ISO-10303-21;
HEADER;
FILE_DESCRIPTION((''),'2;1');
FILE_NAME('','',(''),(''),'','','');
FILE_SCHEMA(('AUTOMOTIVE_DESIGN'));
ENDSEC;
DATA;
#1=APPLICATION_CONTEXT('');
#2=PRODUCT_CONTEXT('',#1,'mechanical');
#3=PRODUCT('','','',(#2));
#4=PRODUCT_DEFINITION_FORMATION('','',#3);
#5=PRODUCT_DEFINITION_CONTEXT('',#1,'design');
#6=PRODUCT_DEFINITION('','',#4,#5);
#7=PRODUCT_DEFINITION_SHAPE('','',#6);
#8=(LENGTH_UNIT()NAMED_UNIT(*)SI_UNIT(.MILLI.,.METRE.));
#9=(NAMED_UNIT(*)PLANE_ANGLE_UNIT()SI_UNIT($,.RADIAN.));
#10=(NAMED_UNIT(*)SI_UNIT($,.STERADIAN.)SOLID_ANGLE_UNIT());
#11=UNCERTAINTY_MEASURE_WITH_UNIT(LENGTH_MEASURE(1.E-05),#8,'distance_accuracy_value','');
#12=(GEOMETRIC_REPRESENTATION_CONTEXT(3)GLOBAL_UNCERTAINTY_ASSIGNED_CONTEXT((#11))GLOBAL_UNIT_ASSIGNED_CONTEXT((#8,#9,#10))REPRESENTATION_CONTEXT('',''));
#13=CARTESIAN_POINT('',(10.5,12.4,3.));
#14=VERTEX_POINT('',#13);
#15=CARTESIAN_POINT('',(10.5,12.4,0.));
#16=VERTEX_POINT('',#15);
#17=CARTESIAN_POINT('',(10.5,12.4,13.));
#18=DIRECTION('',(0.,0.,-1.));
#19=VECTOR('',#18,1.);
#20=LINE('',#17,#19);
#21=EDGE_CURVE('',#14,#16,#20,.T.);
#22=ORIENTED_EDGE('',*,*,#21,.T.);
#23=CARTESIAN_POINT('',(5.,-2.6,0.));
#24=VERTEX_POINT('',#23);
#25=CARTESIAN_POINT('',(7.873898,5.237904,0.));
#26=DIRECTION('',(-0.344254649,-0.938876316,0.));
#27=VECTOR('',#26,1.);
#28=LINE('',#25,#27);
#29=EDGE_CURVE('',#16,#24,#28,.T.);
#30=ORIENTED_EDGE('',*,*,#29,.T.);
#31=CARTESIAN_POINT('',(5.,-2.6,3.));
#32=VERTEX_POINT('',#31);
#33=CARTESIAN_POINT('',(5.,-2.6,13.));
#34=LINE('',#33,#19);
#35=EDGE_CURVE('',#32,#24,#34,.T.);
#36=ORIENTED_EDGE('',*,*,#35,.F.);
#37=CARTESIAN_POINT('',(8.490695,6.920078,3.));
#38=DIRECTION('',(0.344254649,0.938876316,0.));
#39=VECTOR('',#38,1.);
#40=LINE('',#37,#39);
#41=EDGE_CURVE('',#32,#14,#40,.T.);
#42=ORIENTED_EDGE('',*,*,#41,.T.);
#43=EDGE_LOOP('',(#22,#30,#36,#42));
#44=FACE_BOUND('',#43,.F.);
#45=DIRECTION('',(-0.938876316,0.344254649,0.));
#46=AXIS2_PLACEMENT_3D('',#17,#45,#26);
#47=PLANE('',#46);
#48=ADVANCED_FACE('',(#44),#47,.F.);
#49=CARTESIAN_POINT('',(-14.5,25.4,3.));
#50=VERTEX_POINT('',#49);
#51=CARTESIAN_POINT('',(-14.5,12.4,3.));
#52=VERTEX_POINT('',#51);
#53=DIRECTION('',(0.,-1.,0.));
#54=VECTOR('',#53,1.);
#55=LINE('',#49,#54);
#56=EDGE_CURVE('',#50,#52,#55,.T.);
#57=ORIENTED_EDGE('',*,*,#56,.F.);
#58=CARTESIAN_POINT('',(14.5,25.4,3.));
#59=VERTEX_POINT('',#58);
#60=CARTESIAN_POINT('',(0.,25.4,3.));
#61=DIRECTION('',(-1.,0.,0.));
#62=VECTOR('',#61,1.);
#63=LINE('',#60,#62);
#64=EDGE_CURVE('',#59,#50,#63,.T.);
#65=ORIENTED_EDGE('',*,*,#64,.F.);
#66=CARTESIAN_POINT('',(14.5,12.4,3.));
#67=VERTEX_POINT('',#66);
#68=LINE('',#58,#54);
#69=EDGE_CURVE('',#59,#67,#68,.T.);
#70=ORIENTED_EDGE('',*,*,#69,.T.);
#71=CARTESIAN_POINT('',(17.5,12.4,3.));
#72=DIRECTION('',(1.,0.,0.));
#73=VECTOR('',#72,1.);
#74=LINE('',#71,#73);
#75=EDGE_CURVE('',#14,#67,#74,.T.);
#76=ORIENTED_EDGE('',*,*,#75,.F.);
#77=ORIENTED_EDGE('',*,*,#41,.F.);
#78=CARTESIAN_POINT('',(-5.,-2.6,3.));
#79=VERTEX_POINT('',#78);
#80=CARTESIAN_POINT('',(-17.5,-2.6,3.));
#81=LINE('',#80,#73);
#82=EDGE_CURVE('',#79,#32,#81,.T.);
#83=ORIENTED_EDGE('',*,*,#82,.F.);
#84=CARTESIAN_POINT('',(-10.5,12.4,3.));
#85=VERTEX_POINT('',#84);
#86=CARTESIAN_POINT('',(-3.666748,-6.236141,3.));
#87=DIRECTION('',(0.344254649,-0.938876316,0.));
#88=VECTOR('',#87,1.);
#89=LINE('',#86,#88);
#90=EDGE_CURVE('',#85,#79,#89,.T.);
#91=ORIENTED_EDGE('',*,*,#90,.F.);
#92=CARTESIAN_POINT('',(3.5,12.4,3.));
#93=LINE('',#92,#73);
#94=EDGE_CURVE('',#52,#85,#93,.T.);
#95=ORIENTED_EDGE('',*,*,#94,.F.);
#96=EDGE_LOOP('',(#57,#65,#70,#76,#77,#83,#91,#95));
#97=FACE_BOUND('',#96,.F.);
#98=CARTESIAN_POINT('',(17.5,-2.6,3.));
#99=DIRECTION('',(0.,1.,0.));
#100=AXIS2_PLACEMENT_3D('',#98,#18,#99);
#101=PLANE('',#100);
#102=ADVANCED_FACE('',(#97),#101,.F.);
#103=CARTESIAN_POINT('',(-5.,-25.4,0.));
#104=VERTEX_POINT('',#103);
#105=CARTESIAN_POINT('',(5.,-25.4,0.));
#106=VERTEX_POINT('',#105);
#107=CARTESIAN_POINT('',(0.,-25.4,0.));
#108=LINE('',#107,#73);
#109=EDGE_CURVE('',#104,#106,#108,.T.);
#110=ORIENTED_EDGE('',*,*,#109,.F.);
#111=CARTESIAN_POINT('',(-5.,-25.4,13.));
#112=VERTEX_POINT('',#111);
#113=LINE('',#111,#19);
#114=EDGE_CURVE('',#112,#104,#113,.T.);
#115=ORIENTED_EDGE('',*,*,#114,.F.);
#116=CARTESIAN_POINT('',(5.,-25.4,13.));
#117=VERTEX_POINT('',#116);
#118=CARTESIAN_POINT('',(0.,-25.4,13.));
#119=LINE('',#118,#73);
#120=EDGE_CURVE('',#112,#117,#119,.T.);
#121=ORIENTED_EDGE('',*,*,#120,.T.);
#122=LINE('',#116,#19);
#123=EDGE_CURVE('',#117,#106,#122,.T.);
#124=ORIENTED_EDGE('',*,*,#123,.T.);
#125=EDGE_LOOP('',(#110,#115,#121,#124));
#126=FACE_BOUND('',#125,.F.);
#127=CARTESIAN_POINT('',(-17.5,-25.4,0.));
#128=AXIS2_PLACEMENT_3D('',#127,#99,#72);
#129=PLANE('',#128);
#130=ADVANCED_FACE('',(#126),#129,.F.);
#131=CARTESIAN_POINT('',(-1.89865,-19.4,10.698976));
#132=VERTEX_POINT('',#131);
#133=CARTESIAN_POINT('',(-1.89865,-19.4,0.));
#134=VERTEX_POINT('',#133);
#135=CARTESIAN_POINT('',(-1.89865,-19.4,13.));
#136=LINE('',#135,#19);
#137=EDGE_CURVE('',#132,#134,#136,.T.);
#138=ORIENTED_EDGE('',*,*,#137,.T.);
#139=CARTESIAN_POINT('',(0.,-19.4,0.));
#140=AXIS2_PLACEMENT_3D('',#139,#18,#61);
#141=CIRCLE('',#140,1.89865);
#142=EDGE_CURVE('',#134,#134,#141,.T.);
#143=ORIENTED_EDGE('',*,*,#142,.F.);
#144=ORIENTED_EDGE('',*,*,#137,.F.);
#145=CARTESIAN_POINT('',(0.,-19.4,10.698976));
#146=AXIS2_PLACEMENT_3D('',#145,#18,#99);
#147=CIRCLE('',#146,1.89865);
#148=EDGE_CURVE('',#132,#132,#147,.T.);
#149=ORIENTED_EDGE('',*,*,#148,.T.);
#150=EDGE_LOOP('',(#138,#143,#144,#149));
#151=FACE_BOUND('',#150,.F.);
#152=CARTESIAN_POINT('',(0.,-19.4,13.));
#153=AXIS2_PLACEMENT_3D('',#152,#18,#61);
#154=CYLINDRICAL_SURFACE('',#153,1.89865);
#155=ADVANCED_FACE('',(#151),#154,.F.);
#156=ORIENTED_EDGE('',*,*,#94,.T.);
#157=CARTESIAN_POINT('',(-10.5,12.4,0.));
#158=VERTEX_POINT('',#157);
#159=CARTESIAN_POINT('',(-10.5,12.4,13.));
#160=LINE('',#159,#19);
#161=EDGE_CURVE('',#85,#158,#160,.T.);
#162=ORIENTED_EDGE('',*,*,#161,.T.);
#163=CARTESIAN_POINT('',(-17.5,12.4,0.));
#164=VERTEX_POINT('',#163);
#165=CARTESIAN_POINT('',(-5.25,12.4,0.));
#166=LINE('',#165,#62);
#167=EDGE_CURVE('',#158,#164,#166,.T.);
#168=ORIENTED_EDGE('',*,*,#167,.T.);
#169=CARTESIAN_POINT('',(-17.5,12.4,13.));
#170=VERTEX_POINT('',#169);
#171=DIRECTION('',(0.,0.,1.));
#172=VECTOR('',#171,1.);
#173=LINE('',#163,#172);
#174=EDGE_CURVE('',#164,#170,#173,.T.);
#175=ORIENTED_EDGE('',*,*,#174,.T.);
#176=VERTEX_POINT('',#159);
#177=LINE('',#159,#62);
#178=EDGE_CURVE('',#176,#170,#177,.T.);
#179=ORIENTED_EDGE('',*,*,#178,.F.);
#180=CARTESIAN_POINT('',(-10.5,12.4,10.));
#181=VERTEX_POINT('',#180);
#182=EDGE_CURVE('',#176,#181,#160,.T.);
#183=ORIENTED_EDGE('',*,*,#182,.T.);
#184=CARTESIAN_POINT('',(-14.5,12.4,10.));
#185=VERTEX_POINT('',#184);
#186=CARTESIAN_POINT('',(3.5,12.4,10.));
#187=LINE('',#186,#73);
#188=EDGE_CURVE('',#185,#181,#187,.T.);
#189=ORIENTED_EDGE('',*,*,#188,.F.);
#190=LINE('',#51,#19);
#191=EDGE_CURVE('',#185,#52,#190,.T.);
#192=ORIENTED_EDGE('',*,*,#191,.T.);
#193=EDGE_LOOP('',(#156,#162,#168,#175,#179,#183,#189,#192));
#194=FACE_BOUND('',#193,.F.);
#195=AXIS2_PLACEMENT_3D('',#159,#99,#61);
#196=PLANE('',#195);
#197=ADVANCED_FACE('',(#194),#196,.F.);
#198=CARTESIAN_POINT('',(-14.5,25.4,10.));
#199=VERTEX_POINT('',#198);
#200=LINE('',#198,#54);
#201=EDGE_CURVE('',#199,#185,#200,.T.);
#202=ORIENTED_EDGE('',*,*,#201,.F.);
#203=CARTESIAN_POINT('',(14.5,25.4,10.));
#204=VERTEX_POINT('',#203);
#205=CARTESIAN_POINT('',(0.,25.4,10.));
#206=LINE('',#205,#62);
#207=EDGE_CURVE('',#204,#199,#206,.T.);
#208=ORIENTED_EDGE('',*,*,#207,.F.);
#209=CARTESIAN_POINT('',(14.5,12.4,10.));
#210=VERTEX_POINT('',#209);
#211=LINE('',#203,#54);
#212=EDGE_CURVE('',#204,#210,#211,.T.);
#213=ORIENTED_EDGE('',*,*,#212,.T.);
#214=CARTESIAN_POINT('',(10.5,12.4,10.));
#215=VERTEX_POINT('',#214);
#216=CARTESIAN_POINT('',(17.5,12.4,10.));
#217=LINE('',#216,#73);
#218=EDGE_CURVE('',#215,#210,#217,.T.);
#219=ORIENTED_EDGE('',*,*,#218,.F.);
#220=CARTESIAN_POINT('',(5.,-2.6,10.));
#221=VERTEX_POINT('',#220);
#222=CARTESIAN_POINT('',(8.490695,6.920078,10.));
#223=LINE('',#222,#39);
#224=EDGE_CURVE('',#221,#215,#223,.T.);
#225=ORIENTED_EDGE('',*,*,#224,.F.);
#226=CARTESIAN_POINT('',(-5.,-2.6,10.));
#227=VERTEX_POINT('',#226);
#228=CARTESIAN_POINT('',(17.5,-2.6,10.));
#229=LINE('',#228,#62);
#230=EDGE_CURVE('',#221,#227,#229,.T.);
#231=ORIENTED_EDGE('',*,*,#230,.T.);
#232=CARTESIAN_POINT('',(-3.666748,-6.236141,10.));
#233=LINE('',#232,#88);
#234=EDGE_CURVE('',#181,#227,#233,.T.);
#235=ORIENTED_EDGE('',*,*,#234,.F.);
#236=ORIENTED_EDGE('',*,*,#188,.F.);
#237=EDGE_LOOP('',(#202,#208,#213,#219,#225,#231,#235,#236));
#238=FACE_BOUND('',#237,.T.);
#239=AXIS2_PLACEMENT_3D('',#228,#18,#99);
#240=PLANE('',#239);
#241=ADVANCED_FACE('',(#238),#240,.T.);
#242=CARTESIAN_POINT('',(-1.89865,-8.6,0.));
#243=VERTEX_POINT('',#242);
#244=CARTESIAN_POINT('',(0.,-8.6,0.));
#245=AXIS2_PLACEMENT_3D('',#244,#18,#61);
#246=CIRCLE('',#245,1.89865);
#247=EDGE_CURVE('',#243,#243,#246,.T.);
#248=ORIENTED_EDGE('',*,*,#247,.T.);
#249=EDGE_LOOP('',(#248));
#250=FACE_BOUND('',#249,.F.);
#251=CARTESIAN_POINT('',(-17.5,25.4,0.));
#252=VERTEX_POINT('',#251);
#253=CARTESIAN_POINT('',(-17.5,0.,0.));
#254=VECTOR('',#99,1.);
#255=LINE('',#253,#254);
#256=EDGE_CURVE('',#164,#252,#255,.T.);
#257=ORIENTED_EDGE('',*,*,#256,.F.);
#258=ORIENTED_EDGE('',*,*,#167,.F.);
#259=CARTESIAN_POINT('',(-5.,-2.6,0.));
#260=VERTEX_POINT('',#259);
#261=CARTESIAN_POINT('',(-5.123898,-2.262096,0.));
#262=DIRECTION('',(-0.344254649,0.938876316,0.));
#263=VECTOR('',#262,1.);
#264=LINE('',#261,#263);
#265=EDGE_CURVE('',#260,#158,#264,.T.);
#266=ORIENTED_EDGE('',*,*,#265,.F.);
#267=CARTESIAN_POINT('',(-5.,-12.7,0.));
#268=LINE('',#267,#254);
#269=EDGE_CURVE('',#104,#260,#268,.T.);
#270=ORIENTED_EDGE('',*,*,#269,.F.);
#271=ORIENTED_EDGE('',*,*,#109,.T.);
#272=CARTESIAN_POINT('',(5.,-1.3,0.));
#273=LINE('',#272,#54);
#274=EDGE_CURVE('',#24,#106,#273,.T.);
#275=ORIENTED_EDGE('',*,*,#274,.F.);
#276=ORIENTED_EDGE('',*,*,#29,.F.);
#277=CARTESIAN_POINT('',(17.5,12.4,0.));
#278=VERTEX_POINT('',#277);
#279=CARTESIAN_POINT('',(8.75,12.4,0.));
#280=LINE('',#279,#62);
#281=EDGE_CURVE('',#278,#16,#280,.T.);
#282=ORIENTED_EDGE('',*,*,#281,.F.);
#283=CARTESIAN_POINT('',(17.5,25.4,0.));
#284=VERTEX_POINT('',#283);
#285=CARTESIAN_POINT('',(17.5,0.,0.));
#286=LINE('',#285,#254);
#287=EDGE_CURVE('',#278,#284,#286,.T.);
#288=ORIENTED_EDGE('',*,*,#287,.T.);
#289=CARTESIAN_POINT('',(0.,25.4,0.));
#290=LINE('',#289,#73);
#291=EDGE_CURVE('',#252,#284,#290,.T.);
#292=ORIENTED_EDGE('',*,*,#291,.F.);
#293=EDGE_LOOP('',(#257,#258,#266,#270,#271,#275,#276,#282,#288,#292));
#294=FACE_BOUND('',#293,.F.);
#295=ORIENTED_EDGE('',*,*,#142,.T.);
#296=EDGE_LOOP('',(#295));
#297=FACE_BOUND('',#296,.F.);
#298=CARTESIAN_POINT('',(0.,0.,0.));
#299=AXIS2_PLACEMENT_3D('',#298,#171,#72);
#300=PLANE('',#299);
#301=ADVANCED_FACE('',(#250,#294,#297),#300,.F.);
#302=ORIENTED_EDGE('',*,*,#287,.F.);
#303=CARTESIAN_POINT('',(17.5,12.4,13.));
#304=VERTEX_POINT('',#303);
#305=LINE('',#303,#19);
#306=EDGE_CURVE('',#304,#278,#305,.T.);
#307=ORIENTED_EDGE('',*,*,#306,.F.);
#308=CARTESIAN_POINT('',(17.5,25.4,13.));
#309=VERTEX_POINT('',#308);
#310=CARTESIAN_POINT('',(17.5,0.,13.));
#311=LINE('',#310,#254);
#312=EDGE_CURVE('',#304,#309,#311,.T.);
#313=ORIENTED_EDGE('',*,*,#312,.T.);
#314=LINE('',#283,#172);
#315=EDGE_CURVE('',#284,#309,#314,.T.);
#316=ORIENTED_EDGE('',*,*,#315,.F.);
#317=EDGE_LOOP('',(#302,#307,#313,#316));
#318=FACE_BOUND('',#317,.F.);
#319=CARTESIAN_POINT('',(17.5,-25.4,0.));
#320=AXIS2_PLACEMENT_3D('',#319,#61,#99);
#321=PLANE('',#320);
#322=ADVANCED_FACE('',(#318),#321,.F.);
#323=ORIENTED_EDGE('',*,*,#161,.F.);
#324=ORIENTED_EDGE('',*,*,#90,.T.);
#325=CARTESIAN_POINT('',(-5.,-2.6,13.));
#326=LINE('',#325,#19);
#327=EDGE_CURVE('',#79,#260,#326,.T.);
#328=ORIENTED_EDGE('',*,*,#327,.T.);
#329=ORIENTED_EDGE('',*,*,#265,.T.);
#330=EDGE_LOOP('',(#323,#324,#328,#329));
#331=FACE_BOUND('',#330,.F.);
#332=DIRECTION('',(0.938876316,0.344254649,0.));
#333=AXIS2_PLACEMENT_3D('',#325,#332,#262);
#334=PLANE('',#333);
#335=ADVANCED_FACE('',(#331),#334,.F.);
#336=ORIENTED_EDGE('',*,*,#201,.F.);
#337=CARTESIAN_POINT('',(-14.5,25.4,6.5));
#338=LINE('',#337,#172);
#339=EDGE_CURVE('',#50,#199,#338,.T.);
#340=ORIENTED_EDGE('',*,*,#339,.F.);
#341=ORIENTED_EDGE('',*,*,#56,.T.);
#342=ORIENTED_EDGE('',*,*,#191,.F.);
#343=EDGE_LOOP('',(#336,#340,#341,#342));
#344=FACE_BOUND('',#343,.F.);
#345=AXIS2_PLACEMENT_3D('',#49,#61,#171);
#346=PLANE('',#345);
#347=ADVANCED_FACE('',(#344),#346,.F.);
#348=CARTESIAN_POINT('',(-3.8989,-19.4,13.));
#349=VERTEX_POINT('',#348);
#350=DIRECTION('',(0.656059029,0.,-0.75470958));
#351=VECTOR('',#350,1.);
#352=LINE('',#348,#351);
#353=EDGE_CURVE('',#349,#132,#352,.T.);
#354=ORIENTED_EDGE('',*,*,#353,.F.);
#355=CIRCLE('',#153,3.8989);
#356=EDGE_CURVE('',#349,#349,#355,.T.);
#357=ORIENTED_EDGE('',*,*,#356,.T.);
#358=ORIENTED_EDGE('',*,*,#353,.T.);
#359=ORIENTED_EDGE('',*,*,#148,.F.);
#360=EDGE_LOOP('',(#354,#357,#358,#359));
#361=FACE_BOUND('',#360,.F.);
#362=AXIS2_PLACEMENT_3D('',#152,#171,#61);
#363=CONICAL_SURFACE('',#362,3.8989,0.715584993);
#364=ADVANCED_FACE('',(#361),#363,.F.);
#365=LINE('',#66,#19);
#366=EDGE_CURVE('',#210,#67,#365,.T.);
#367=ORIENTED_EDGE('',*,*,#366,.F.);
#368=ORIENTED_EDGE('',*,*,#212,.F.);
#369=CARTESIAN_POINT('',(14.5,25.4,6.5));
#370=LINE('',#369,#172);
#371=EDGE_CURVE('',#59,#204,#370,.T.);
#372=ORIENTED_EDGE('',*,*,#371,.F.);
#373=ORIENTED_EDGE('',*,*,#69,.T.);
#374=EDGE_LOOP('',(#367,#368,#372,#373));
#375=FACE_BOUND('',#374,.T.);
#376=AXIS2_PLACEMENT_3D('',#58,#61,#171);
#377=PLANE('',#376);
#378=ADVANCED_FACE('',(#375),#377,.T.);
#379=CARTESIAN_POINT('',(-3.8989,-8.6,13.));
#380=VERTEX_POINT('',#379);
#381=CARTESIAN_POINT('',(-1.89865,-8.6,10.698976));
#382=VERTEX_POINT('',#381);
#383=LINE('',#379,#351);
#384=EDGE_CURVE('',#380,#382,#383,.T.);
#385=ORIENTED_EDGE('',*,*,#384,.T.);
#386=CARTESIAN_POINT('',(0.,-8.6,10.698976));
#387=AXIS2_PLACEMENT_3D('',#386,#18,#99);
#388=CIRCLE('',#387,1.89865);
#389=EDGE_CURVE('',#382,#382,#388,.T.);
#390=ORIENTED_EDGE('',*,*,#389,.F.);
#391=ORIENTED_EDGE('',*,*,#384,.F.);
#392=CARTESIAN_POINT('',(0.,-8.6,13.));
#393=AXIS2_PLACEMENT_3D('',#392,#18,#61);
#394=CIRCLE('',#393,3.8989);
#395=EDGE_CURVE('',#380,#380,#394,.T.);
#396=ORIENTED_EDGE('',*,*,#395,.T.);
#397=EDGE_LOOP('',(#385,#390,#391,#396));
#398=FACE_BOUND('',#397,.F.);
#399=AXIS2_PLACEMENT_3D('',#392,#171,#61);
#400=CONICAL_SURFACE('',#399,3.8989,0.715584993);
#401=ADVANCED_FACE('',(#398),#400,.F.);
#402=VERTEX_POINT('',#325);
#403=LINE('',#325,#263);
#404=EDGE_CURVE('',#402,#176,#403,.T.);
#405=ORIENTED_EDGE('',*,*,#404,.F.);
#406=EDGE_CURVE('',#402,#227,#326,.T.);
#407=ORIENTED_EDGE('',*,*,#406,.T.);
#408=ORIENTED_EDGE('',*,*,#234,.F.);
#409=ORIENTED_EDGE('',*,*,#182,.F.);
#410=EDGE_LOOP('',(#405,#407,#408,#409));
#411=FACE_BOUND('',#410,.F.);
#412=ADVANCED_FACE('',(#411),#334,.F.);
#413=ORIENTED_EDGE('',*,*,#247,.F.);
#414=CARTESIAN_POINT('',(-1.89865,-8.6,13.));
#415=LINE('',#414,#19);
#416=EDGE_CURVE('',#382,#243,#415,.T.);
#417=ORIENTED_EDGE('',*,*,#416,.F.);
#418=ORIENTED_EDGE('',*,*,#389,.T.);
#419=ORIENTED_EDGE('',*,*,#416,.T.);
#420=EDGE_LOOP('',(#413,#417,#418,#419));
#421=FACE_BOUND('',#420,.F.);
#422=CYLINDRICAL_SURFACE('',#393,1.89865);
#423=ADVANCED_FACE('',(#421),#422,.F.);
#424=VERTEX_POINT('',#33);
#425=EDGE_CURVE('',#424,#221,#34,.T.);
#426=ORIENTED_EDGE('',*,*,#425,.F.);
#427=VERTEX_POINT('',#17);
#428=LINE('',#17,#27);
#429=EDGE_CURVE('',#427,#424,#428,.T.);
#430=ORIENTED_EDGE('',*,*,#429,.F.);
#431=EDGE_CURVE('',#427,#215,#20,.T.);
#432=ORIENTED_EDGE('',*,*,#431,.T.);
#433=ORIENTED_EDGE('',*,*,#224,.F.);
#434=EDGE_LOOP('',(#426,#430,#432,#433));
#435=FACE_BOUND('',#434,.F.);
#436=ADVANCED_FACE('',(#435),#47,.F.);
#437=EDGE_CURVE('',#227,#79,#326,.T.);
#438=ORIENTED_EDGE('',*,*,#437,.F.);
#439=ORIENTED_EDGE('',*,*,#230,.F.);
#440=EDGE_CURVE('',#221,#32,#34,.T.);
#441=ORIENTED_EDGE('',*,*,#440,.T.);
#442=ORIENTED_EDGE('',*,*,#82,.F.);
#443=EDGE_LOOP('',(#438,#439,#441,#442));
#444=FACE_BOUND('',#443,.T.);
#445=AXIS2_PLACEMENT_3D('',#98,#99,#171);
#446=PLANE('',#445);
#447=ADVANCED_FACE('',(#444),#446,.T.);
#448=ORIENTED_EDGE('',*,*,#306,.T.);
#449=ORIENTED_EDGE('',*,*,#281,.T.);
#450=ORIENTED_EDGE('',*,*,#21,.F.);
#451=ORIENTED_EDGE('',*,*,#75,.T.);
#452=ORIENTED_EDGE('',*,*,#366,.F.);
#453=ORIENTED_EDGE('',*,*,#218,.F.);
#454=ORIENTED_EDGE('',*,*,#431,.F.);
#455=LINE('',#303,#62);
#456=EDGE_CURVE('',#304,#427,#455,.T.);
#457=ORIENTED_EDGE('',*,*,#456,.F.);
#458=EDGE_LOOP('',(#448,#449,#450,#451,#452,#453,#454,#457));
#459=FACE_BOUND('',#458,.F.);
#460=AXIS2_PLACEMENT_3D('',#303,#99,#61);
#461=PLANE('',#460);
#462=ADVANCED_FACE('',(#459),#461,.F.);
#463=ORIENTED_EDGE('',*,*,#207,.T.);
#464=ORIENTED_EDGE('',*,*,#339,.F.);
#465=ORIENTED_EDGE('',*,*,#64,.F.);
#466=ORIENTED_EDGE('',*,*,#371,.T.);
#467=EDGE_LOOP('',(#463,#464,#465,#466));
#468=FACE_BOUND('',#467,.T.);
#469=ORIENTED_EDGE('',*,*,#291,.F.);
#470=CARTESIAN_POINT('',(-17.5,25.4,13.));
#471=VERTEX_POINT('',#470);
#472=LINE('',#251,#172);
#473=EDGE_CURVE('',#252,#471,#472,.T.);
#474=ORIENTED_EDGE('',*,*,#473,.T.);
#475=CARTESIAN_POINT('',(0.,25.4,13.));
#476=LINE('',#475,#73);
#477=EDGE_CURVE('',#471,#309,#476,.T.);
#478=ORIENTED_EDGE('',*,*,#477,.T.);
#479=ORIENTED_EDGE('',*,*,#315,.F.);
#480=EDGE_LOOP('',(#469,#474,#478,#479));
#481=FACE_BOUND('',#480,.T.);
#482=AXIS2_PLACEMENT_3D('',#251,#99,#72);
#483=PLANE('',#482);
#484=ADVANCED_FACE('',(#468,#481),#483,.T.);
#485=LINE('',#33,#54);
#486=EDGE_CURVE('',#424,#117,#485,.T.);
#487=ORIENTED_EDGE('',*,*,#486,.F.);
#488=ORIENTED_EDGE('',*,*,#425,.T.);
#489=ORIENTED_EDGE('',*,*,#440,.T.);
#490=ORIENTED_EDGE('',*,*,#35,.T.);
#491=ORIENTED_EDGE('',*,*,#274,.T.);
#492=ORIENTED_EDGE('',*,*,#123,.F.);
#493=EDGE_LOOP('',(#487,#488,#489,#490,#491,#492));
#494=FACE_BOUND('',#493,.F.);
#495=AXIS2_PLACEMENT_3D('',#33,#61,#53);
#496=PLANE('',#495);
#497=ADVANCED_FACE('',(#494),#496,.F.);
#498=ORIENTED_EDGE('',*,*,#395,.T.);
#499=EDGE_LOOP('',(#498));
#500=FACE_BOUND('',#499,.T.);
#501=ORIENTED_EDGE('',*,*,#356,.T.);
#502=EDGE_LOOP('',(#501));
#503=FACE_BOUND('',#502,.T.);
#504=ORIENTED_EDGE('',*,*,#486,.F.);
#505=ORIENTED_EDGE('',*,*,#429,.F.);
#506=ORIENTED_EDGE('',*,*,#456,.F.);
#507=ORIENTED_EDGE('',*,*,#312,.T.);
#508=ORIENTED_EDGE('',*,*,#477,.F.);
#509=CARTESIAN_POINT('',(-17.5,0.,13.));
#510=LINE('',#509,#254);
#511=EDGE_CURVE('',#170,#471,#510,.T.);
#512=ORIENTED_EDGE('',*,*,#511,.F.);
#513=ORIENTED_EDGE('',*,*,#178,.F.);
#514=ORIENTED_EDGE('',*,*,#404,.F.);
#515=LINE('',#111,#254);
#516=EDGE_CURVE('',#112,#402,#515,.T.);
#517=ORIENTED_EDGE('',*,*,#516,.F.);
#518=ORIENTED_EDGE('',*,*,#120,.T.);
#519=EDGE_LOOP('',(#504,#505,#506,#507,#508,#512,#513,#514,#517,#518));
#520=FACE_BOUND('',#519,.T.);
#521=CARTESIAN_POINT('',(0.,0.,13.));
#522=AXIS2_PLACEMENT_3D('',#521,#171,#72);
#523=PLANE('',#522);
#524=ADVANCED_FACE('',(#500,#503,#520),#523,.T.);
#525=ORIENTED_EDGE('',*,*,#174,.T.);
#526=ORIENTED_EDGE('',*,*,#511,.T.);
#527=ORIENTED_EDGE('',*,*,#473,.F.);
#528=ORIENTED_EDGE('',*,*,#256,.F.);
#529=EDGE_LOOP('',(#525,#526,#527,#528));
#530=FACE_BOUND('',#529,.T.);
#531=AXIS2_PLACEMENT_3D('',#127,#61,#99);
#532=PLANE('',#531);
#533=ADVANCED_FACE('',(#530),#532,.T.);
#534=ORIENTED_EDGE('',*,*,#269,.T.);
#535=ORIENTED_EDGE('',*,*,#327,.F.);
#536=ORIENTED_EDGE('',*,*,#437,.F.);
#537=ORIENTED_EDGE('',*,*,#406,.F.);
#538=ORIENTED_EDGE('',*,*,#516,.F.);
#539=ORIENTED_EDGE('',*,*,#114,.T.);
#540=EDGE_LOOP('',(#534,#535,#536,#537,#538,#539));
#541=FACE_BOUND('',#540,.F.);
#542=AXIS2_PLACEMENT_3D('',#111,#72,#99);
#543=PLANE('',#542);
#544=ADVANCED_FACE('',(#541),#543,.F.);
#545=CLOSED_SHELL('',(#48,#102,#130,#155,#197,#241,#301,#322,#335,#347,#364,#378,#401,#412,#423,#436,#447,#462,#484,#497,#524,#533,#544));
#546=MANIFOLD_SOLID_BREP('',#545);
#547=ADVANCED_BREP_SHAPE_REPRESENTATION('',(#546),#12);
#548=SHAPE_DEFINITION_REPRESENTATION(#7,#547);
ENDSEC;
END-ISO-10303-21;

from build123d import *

# Parameters (mm, degrees)
F0_W           = 35
F0_H           = 50.8
F1_DEPTH       = 13
F2_W           = 29
F2_H           = 7
F3_DEPTH       = 28
F4_W           = 15
F4_H           = 7
F5_DEPTH       = 35.001
F7_DEPTH       = 13.001
F9_D           = 3.7973
F9_CSINK_D     = 7.7978
F9_CSINK_ANGLE = 82


with BuildPart() as f1:
    # F0 (on Top) → F1 (new body)
    with BuildSketch(Plane.XY):
        Rectangle(F0_W, F0_H)
    extrude(amount=F1_DEPTH)

    # F2 (on face) → F3 (cut)
    with BuildSketch(Plane(origin=(0, 25.4, 0), x_dir=(-1, 0, 0), z_dir=(0, 1, 0))):
        with Locations((0, 6.5)):
            Rectangle(F2_W, F2_H)
    extrude(amount=-F3_DEPTH, mode=Mode.SUBTRACT)

    # F4 (on face) → F5 (cut, through all)
    with BuildSketch(Plane.YZ.offset(17.5)):
        with Locations((4.9, 6.5)):
            Rectangle(F4_W, F4_H)
    extrude(amount=-F5_DEPTH, mode=Mode.SUBTRACT)

    # F6 (on face) → F7 (cut, through all)
    with BuildSketch(Plane.XY.offset(13)):
        Polygon((-17.5, -25.4), (-5, -25.4), (-5, -2.6), (-10.5, 12.4), (-17.5, 12.4), (-17.5, -2.6), align=None)
        Polygon((17.5, -2.6), (17.5, 12.4), (10.5, 12.4), (5, -2.6), (5, -25.4), (17.5, -25.4), align=None)
    extrude(amount=-F7_DEPTH, mode=Mode.SUBTRACT)

    # F9 (through all)
    with Locations(Plane.XY.offset(13)):
        with Locations((0, -8.6), (0, -19.4)):
            CounterSinkHole(F9_D / 2, F9_CSINK_D / 2, counter_sink_angle=F9_CSINK_ANGLE)


solid = f1.part
